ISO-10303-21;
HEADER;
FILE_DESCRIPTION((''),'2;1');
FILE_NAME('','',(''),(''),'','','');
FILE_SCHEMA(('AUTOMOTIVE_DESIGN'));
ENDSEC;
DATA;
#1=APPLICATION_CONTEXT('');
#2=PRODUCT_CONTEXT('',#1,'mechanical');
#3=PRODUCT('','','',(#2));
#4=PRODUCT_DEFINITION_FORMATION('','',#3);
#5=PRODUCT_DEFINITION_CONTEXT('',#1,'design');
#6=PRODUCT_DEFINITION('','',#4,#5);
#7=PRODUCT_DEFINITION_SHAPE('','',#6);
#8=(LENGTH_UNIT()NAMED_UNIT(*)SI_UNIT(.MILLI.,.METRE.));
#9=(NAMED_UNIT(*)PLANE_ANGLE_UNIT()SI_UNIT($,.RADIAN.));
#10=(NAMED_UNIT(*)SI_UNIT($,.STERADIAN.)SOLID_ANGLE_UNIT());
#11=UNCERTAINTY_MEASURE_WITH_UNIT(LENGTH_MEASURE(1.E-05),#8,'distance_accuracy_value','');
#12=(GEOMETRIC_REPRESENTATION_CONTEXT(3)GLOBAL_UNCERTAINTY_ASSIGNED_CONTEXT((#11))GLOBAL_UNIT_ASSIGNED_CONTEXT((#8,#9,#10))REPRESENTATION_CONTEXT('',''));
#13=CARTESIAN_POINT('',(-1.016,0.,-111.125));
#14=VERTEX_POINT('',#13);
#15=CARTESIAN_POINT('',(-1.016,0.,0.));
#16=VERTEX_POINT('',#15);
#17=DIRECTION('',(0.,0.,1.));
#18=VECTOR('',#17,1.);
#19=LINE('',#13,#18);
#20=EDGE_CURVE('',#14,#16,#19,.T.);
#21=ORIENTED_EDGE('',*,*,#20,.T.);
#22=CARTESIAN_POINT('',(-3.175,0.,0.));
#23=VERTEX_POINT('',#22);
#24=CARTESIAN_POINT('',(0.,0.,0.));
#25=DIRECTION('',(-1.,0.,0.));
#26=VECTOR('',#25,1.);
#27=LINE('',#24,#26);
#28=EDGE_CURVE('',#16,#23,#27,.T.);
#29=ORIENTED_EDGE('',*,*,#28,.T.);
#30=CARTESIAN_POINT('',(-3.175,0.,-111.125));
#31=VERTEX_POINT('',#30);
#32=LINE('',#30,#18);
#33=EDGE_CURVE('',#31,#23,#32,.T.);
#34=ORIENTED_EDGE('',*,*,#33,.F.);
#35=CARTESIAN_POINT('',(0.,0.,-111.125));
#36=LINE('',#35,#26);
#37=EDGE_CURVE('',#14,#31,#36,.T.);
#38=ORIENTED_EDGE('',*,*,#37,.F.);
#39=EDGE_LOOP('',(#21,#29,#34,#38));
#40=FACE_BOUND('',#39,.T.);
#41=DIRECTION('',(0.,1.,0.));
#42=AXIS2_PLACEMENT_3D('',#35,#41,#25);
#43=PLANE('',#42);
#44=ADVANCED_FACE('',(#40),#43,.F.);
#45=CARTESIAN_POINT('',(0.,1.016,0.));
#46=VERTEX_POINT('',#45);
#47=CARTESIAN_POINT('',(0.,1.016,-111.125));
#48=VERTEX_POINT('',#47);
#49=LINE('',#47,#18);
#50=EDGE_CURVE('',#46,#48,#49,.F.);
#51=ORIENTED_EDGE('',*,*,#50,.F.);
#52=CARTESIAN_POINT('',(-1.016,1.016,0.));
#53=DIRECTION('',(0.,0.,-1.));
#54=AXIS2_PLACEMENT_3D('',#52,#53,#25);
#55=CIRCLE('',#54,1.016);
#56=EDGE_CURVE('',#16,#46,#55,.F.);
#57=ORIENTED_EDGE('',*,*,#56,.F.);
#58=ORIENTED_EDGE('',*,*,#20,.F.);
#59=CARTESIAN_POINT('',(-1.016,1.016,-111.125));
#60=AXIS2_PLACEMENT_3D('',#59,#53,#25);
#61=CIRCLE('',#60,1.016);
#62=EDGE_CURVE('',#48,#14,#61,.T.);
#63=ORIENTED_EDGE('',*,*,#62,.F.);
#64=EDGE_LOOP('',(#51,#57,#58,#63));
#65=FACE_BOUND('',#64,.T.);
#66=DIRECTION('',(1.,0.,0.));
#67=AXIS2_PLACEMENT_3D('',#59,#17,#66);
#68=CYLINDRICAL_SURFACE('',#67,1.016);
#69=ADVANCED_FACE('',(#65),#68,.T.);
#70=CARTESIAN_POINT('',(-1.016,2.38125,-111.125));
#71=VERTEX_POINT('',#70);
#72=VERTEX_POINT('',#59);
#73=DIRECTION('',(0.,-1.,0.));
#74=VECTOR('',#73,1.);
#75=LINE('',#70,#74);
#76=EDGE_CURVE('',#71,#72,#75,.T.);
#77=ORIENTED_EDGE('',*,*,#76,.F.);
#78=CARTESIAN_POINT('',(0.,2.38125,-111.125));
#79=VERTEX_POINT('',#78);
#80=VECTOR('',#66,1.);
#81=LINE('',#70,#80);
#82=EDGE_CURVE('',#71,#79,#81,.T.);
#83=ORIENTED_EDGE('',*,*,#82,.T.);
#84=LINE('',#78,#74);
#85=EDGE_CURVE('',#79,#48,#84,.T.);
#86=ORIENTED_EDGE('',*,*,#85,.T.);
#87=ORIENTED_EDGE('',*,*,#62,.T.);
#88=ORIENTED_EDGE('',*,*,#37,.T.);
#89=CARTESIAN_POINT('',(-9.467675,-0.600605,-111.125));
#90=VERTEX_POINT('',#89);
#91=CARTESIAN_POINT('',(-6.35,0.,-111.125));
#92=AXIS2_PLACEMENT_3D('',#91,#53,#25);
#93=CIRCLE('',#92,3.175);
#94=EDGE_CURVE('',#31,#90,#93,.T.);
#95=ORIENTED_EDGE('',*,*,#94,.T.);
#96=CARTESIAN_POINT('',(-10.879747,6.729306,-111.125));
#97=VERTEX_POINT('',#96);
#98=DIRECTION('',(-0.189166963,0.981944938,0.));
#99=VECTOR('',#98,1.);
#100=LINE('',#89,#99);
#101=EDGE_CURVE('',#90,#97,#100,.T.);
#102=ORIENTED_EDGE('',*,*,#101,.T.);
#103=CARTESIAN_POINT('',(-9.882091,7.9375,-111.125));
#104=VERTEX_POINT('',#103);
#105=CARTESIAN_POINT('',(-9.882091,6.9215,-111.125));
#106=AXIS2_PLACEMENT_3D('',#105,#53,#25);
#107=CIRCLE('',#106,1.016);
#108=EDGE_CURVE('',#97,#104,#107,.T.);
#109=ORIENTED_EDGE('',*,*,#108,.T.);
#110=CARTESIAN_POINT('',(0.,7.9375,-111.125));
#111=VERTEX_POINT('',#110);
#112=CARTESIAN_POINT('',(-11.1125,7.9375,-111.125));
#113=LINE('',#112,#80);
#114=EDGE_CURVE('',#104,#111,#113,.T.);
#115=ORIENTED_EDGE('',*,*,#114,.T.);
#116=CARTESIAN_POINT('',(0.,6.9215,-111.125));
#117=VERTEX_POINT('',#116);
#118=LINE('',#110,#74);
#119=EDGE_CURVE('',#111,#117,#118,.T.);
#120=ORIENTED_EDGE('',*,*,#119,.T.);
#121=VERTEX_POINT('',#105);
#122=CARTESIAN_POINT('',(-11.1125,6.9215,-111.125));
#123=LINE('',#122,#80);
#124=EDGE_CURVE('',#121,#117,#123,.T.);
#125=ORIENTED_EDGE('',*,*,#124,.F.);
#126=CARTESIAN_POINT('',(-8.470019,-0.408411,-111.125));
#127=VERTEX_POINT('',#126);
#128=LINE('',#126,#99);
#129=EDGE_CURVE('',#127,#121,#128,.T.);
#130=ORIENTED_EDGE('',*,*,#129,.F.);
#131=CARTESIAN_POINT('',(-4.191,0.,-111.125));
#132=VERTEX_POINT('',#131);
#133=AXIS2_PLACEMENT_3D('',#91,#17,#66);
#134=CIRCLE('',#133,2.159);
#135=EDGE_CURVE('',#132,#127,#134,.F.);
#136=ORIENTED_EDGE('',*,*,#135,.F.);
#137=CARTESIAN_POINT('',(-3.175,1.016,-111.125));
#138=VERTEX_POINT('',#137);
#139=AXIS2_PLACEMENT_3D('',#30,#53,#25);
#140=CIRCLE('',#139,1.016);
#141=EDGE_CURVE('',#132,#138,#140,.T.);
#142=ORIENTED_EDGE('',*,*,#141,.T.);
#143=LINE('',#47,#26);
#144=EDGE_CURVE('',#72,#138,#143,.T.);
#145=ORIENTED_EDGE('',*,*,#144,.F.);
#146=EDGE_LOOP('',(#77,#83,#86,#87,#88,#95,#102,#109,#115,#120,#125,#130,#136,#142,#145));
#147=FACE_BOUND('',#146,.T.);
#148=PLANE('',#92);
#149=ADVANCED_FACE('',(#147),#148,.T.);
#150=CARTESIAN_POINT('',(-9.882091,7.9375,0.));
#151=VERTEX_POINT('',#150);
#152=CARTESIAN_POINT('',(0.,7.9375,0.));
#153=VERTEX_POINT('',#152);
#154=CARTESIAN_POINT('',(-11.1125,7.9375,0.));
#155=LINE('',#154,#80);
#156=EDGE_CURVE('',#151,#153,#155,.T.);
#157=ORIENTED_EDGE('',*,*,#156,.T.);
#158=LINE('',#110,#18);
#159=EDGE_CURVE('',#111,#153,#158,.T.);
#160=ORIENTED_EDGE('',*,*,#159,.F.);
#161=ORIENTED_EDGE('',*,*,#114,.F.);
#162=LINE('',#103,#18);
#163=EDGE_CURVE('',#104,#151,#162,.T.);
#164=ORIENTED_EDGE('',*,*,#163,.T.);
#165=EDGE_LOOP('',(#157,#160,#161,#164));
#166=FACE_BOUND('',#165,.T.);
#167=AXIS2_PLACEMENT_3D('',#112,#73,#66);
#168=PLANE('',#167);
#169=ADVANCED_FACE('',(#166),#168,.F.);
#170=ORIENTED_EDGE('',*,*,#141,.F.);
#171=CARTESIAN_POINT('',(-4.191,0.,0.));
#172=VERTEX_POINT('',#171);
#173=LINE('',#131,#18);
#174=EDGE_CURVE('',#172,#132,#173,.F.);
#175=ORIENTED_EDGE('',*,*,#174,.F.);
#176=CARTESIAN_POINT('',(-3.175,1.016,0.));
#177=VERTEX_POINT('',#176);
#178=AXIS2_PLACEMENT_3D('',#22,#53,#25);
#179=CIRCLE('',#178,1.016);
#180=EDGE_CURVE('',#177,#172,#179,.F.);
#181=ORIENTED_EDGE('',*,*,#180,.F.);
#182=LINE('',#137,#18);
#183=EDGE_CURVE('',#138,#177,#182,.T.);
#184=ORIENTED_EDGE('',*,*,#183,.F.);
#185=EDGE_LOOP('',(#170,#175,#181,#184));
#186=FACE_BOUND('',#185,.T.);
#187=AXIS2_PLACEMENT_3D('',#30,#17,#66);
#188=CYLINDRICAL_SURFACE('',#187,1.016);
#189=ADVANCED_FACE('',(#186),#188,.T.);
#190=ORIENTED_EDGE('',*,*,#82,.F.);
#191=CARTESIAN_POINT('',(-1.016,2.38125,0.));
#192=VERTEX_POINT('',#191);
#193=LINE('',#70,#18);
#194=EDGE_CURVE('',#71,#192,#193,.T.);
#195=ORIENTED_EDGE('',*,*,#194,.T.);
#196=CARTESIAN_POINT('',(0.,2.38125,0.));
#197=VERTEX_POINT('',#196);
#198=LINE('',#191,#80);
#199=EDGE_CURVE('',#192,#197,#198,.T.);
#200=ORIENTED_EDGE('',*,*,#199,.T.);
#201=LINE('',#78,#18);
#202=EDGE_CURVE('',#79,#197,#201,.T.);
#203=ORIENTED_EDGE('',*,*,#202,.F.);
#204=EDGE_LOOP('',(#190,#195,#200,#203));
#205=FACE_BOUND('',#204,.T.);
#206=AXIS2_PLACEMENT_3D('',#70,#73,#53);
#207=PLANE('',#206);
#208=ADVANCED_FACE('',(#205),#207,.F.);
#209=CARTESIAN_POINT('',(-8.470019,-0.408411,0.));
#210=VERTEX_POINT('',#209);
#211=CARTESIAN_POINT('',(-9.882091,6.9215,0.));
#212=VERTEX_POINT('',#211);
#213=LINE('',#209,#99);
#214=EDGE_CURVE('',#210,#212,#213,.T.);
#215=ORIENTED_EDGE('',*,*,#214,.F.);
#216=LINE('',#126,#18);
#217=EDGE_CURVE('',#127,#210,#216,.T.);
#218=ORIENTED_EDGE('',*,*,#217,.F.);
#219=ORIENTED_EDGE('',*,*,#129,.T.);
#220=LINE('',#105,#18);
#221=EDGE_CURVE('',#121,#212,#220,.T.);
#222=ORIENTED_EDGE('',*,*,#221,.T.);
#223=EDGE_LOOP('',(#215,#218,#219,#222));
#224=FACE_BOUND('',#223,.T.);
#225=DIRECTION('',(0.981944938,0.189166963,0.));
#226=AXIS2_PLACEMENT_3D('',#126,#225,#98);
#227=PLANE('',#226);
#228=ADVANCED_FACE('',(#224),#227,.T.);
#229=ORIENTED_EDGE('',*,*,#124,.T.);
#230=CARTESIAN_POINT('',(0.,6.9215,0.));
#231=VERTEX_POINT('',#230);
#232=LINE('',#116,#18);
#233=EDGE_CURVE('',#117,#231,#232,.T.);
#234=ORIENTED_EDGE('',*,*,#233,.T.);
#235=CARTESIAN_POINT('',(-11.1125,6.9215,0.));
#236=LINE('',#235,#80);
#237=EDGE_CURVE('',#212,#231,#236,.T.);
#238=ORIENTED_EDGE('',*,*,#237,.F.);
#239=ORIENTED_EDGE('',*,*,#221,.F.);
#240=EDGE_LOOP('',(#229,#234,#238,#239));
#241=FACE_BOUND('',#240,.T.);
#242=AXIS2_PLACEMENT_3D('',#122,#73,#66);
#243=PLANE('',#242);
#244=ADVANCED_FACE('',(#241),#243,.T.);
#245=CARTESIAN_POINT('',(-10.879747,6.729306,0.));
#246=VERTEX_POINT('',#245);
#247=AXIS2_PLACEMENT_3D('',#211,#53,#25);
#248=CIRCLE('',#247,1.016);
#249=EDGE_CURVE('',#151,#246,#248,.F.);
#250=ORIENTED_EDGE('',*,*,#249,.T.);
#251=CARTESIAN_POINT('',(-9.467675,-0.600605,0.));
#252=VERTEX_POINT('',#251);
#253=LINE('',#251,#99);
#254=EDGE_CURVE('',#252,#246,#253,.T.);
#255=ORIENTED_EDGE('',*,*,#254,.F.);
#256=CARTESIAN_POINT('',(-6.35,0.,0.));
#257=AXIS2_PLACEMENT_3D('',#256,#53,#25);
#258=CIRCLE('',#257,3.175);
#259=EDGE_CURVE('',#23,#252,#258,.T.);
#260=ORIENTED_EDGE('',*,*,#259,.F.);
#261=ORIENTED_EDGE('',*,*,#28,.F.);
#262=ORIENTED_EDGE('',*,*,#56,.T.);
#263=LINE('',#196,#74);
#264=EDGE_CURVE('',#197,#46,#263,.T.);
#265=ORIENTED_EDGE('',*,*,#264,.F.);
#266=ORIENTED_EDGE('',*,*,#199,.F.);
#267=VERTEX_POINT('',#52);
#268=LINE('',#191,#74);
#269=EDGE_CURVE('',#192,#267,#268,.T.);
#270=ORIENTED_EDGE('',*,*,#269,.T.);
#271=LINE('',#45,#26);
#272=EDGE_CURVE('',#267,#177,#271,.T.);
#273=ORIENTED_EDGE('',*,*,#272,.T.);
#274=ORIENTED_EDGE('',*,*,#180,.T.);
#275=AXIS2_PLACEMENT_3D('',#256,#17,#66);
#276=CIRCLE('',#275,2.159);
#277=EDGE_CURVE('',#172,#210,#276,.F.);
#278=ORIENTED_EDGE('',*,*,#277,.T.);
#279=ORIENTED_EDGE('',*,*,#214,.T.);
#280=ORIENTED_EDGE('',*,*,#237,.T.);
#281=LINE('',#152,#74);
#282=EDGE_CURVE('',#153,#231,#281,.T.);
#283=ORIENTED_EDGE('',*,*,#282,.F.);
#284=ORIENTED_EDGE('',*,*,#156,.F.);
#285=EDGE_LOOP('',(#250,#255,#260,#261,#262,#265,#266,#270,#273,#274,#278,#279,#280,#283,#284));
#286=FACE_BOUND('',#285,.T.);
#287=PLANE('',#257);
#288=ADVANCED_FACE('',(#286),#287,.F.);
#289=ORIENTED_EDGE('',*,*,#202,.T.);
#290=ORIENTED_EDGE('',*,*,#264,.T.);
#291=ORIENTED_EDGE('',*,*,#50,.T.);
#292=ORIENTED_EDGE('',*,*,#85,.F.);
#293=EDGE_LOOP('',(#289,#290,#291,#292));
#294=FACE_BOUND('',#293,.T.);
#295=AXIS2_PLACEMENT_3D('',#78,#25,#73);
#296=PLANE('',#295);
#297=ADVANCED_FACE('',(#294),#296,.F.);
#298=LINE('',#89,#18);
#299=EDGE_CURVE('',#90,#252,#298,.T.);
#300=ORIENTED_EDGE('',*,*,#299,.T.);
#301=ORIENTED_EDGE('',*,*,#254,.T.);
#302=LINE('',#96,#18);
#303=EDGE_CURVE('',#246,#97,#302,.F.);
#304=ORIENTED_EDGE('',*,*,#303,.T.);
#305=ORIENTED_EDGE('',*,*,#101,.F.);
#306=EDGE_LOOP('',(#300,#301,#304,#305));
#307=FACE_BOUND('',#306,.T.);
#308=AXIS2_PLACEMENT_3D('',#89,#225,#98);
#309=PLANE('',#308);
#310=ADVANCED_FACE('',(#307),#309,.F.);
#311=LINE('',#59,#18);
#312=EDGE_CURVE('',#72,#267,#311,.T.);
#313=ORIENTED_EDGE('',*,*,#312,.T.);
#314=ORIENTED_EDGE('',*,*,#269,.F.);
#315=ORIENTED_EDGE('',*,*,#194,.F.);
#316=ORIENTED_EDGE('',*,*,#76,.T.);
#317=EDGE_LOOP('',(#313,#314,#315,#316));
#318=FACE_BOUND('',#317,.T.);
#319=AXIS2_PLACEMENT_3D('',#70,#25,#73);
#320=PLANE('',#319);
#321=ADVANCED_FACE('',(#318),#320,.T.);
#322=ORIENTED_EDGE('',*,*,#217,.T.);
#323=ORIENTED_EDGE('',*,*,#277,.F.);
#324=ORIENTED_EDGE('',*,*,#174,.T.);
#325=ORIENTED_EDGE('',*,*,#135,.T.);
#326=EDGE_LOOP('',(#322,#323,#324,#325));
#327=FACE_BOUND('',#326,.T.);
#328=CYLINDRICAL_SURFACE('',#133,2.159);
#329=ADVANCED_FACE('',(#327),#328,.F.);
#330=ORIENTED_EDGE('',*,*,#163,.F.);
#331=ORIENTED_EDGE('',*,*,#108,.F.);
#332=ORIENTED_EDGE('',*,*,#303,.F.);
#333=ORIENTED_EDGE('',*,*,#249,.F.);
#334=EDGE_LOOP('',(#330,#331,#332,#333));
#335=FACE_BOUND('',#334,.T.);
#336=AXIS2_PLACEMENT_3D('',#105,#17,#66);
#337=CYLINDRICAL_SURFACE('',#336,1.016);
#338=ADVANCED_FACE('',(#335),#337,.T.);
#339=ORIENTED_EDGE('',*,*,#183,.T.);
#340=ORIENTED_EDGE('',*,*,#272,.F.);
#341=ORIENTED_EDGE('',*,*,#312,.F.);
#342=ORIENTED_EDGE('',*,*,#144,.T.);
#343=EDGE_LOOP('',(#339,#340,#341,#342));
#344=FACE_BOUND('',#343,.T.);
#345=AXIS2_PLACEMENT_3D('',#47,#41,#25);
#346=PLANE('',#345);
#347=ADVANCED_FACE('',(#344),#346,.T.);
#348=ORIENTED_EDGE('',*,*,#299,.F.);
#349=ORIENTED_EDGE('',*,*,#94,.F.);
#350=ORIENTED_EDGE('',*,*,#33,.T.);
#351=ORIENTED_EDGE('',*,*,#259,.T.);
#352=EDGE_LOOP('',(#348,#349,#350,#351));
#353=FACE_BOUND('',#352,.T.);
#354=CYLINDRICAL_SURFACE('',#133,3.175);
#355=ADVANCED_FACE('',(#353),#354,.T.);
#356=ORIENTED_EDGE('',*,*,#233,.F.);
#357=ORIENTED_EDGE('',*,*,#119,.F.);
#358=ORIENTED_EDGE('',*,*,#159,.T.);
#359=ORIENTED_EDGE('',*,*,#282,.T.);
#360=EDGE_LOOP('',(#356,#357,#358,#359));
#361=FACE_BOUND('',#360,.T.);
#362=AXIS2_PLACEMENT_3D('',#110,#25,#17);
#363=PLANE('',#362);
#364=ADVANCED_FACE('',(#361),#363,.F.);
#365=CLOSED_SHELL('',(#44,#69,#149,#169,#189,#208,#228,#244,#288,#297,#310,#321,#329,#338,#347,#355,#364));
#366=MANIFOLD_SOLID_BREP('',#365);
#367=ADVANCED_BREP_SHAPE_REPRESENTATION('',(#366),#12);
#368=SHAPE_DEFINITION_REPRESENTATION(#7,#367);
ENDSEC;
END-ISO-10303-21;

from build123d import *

# Parameters (mm, degrees)
EXTRUDE_THIN1_DEPTH = 111.125
FILLET1_R           = 1.016


with BuildPart() as part:
    # Sketch1 → Extrude-Thin1 (new body)
    with BuildSketch(Plane.XY):
        with BuildLine():
            Line((0, 2.38125), (0, 0))
            Line((0, 0), (-3.175, 0))
            ThreePointArc((-3.175, 0), (-6.048332705, -3.160636303), (-9.467675177, -0.600605106))
            Line((-9.467675177, -0.600605106), (-11.1125, 7.9375))
            Line((-11.1125, 7.9375), (0, 7.9375))
            Line((0, 7.9375), (0, 6.9215))
            Line((0, 6.9215), (-9.882091259, 6.9215))
            Line((-9.882091259, 6.9215), (-8.47001912, -0.408411472))
            ThreePointArc((-8.47001912, -0.408411472), (-5.629725527, -2.035309727), (-4.445, 1.016))
            Line((-4.445, 1.016), (-1.016, 1.016))
            Line((-1.016, 1.016), (-1.016, 2.38125))
            Line((-1.016, 2.38125), (0, 2.38125))
        make_face()
    extrude(amount=-EXTRUDE_THIN1_DEPTH)

    # Fillet1
    fillet1_edges = [part.edges().sort_by_distance(p)[0] for p in [
        (-4.445, 1.016, -55.5625),
        (0, 0, -55.5625),
        (-11.1125, 7.9375, -55.5625),
    ]]
    fillet(fillet1_edges, radius=FILLET1_R)


solid = part.part
